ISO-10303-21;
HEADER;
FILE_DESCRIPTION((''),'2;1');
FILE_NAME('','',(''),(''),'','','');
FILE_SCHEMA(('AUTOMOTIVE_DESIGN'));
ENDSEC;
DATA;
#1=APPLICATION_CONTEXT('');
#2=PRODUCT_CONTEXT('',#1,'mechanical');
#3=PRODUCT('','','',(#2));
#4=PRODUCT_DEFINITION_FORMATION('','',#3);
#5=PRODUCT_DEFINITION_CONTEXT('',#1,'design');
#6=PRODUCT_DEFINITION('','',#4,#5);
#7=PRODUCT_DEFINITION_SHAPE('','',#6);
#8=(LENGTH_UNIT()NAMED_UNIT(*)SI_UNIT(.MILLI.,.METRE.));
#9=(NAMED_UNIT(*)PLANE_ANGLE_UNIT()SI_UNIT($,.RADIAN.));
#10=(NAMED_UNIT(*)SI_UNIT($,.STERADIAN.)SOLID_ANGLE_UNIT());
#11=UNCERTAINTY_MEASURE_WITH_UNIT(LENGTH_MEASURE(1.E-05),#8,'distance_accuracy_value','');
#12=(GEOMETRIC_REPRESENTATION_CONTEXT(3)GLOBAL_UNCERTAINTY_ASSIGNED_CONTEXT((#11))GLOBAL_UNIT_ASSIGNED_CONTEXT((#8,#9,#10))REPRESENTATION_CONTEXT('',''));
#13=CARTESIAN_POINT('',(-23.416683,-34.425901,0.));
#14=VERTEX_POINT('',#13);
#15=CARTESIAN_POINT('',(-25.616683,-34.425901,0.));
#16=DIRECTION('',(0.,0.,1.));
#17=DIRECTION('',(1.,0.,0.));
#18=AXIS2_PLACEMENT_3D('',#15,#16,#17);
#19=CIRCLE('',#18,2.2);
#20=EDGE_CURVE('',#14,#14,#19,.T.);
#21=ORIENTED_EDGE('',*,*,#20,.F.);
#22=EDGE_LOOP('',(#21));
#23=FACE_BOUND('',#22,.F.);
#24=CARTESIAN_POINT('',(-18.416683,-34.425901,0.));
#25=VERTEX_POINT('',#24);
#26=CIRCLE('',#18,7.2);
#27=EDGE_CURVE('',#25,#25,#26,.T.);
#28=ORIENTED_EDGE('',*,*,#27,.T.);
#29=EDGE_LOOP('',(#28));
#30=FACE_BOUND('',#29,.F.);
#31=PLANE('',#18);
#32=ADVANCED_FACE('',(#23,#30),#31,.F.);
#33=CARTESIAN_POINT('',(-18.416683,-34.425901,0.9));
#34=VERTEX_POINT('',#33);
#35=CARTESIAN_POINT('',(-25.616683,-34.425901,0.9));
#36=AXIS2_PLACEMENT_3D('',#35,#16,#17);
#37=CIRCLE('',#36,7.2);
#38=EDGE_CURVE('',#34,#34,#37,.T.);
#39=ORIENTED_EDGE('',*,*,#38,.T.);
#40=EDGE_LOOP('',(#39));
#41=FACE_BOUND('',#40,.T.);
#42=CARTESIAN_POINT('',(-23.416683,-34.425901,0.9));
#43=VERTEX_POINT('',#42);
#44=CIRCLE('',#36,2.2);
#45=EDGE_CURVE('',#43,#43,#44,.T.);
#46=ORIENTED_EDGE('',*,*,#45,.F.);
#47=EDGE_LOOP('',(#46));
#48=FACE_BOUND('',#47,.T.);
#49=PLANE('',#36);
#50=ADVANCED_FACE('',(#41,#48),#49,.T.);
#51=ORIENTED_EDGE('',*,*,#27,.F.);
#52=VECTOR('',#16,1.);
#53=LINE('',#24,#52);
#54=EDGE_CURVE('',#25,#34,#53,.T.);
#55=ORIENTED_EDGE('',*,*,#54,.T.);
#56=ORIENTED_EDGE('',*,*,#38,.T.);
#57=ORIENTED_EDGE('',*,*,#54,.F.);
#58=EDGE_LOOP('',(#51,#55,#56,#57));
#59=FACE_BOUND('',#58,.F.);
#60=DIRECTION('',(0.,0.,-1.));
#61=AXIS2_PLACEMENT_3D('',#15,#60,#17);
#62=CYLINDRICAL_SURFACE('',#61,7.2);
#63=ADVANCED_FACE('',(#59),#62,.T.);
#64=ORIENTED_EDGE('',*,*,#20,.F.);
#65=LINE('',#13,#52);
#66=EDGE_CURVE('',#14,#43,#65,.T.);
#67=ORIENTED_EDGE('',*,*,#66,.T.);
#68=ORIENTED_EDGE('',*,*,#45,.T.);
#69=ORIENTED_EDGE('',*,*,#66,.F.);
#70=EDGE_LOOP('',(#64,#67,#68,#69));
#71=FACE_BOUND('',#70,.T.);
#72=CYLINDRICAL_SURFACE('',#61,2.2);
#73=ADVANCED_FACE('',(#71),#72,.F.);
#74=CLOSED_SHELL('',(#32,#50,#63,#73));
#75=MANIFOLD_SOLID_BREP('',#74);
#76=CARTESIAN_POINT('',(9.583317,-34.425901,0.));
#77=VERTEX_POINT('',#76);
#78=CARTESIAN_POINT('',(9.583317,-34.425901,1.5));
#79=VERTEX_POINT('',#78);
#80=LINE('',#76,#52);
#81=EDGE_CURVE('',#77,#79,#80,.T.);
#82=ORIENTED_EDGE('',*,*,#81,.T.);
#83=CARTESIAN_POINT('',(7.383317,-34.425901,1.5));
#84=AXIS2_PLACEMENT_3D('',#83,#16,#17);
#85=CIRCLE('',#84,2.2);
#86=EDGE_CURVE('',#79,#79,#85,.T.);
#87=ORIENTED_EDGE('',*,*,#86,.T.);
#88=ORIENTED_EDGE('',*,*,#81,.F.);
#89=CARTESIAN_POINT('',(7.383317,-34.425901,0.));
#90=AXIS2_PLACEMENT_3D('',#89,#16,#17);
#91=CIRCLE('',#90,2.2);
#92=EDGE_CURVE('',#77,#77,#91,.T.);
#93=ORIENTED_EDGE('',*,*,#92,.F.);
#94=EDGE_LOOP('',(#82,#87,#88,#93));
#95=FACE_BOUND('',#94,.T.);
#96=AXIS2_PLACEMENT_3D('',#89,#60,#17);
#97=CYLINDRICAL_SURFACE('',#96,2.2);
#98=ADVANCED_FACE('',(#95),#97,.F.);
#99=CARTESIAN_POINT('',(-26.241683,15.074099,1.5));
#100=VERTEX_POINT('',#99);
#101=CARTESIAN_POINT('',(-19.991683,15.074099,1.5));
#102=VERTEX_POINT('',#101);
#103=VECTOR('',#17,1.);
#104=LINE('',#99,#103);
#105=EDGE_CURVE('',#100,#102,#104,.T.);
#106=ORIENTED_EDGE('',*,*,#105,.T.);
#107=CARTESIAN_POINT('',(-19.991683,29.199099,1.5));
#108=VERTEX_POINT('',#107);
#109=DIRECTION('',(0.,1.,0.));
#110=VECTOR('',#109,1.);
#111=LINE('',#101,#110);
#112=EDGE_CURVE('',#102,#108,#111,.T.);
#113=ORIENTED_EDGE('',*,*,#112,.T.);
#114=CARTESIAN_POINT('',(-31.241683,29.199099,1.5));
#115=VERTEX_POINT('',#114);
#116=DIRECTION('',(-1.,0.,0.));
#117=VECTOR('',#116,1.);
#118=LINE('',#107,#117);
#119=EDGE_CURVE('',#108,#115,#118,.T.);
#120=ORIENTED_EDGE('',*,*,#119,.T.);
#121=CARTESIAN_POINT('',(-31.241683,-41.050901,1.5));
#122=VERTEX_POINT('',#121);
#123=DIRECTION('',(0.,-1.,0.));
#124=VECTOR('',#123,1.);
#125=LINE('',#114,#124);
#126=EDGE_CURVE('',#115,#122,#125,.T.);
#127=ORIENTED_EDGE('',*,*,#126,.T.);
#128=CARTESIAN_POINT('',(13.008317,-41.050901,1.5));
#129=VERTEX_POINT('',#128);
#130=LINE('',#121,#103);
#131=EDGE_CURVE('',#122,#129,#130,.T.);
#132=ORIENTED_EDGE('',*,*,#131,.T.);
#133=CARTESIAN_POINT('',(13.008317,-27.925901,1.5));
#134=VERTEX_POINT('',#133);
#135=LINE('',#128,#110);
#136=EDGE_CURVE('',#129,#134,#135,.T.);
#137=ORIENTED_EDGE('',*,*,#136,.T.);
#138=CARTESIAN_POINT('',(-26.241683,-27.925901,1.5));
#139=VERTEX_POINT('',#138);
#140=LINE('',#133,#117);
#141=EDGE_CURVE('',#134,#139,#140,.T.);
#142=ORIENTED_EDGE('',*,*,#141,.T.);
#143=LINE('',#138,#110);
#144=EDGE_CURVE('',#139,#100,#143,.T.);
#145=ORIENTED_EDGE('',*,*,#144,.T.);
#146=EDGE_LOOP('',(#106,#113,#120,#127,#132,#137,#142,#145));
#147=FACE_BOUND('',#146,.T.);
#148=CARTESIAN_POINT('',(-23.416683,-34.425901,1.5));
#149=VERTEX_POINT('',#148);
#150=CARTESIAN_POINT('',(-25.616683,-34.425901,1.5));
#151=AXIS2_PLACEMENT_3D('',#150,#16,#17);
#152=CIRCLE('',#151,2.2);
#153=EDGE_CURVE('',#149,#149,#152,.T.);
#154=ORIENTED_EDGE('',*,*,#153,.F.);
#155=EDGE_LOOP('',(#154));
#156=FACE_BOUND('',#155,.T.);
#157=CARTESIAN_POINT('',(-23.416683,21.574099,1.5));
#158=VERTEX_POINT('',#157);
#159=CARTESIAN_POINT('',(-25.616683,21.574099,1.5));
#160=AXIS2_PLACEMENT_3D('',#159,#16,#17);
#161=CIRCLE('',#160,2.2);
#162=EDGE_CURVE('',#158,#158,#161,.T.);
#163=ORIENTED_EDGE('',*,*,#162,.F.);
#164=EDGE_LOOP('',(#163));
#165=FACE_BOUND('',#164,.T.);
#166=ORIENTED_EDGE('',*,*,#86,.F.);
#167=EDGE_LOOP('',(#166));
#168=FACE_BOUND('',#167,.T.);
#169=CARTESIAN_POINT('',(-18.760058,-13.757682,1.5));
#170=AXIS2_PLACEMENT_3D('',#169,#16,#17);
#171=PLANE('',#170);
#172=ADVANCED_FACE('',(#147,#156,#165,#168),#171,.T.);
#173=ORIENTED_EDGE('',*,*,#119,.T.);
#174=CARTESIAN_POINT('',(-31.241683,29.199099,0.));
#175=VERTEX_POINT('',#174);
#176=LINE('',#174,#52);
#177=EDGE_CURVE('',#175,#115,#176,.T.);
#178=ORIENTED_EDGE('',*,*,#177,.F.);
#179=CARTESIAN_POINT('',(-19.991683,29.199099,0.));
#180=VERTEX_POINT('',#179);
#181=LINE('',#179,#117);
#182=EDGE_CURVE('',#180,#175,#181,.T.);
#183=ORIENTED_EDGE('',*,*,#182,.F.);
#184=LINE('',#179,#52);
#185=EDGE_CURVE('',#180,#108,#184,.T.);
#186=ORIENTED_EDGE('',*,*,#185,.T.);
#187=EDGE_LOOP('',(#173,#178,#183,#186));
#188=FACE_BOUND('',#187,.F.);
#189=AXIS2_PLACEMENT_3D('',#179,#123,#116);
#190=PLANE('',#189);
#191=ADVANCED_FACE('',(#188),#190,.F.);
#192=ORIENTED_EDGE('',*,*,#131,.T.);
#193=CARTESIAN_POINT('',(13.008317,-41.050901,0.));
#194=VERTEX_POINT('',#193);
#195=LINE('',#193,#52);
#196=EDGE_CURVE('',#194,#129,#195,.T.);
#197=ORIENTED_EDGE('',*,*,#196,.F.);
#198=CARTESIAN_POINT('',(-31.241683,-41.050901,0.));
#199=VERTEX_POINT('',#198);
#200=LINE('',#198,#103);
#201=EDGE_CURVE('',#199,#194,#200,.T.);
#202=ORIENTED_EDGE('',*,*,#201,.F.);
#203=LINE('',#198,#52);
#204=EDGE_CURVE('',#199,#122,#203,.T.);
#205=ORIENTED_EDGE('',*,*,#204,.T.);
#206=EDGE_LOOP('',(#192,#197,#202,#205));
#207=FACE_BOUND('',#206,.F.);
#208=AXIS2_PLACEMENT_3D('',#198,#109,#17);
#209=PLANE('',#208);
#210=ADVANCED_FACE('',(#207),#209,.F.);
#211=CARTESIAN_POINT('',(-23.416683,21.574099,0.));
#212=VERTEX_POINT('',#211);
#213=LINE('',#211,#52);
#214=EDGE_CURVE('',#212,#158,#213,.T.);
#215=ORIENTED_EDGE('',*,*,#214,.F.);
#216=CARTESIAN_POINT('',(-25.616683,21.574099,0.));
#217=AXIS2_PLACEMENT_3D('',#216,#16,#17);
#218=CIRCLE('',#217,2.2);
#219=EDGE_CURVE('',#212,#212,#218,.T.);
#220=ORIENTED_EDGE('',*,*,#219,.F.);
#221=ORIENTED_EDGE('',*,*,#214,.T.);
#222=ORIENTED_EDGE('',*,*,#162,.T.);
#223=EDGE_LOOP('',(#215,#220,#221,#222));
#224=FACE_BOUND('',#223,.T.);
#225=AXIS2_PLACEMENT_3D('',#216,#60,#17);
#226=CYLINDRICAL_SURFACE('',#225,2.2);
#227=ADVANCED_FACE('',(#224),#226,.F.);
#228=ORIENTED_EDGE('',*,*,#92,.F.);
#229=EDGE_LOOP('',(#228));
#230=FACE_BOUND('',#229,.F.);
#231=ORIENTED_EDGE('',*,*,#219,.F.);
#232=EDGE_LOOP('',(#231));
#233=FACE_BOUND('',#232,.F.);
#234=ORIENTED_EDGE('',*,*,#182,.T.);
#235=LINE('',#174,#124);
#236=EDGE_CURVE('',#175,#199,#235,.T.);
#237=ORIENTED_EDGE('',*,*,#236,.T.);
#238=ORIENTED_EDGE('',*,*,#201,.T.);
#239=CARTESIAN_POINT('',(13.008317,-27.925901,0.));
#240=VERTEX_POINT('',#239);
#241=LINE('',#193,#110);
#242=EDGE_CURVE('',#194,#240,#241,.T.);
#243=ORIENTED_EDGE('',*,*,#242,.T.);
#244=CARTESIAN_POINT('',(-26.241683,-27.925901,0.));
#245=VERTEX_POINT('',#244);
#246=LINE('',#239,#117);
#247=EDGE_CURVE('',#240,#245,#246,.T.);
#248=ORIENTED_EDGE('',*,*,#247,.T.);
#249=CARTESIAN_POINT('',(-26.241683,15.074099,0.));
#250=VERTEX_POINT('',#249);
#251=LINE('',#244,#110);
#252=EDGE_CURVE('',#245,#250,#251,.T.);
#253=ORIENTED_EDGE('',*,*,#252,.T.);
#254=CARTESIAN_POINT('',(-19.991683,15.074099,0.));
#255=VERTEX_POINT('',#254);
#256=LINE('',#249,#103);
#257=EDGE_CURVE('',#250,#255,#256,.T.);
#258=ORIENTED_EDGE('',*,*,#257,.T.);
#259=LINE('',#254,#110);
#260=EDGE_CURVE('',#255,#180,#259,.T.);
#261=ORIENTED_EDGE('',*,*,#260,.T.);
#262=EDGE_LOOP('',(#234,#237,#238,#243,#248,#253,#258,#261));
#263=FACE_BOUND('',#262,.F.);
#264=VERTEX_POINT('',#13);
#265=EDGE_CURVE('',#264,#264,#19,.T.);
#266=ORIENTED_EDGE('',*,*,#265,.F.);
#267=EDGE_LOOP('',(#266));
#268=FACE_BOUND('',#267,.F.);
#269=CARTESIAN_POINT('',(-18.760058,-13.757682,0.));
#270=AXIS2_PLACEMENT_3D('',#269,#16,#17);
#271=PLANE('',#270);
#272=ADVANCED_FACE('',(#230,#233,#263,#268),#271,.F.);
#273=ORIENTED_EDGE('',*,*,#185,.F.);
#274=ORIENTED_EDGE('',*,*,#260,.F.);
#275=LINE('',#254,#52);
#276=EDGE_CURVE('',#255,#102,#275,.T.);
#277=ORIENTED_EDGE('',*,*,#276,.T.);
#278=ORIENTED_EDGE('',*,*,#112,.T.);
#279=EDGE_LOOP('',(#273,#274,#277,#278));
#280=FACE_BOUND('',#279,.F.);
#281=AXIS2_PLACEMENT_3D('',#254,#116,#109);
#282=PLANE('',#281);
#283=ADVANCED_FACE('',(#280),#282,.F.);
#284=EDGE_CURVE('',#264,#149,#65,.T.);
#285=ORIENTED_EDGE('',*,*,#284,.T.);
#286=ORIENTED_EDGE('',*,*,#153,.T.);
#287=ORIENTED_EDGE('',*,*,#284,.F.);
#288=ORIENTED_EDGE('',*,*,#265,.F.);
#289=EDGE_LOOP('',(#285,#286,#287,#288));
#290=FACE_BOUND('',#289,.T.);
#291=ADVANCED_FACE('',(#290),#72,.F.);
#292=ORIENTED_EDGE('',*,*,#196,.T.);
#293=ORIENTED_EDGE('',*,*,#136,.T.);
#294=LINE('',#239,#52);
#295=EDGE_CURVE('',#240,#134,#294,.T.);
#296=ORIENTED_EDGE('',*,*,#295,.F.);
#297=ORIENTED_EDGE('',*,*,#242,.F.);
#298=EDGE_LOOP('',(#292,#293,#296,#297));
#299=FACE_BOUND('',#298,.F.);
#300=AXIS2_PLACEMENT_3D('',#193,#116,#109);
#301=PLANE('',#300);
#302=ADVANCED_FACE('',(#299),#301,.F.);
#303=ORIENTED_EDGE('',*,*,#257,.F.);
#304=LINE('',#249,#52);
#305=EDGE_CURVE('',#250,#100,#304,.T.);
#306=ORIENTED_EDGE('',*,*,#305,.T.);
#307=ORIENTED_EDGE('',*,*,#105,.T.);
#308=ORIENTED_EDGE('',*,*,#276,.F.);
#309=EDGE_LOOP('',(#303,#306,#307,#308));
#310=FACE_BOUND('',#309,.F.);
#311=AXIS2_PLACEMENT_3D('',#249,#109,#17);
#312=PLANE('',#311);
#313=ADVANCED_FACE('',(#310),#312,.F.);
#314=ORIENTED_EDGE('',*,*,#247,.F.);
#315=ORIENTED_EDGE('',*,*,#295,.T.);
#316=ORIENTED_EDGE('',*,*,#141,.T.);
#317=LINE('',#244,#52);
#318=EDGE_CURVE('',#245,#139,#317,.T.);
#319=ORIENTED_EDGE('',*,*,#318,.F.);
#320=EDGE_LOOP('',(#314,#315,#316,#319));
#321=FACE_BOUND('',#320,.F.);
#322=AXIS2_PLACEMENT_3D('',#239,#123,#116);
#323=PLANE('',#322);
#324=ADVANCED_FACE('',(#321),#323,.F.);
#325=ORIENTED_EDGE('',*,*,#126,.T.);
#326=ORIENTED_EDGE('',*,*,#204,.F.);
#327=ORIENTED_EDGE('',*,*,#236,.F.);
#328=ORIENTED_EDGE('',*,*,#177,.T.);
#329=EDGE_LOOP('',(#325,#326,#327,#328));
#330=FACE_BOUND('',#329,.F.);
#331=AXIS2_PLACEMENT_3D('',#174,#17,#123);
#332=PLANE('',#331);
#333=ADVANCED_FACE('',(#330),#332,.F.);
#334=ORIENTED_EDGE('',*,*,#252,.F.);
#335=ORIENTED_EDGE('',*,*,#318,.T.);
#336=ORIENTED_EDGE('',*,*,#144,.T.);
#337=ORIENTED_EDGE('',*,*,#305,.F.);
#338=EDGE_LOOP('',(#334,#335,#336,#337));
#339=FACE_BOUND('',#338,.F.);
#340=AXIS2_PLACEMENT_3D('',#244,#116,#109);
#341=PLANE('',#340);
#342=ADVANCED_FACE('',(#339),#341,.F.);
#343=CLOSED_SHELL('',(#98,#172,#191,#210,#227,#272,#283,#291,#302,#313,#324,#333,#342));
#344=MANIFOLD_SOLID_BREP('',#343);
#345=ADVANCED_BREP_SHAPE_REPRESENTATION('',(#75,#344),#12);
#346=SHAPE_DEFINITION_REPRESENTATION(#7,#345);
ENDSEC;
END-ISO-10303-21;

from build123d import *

# Parameters (mm, degrees)
F0_R     = 2.2
F1_DEPTH = 1.5
F2_R     = 7.2
F2_R_2   = 2.2
F3_DEPTH = 0.9


with BuildPart() as f1:
    # F0 (on Top) → F1 (new body)
    with BuildSketch(Plane.XY):
        Polygon((-19.991683, 29.199099), (-31.241683, 29.199099), (-31.241683, -41.050901), (13.008317, -41.050901), (13.008317, -27.925901), (-26.241683, -27.925901), (-26.241683, 15.074099), (-19.991683, 15.074099), align=None)
        with Locations((-25.616683, -34.425901)):
            Circle(F0_R, mode=Mode.SUBTRACT)
        with Locations((7.383317, -34.425901)):
            Circle(F0_R, mode=Mode.SUBTRACT)
        with Locations((-25.616683, 21.574099)):
            Circle(F0_R, mode=Mode.SUBTRACT)
    extrude(amount=F1_DEPTH)


with BuildPart() as f3:
    # F2 (on Top) → F3 (new body)
    with BuildSketch(Plane.XY):
        with Locations((-25.616683, -34.425901)):
            Circle(F2_R)
        with Locations((-25.616683, -34.425901)):
            Circle(F2_R_2, mode=Mode.SUBTRACT)
    extrude(amount=F3_DEPTH)


solid = Compound([f1.part, f3.part])
